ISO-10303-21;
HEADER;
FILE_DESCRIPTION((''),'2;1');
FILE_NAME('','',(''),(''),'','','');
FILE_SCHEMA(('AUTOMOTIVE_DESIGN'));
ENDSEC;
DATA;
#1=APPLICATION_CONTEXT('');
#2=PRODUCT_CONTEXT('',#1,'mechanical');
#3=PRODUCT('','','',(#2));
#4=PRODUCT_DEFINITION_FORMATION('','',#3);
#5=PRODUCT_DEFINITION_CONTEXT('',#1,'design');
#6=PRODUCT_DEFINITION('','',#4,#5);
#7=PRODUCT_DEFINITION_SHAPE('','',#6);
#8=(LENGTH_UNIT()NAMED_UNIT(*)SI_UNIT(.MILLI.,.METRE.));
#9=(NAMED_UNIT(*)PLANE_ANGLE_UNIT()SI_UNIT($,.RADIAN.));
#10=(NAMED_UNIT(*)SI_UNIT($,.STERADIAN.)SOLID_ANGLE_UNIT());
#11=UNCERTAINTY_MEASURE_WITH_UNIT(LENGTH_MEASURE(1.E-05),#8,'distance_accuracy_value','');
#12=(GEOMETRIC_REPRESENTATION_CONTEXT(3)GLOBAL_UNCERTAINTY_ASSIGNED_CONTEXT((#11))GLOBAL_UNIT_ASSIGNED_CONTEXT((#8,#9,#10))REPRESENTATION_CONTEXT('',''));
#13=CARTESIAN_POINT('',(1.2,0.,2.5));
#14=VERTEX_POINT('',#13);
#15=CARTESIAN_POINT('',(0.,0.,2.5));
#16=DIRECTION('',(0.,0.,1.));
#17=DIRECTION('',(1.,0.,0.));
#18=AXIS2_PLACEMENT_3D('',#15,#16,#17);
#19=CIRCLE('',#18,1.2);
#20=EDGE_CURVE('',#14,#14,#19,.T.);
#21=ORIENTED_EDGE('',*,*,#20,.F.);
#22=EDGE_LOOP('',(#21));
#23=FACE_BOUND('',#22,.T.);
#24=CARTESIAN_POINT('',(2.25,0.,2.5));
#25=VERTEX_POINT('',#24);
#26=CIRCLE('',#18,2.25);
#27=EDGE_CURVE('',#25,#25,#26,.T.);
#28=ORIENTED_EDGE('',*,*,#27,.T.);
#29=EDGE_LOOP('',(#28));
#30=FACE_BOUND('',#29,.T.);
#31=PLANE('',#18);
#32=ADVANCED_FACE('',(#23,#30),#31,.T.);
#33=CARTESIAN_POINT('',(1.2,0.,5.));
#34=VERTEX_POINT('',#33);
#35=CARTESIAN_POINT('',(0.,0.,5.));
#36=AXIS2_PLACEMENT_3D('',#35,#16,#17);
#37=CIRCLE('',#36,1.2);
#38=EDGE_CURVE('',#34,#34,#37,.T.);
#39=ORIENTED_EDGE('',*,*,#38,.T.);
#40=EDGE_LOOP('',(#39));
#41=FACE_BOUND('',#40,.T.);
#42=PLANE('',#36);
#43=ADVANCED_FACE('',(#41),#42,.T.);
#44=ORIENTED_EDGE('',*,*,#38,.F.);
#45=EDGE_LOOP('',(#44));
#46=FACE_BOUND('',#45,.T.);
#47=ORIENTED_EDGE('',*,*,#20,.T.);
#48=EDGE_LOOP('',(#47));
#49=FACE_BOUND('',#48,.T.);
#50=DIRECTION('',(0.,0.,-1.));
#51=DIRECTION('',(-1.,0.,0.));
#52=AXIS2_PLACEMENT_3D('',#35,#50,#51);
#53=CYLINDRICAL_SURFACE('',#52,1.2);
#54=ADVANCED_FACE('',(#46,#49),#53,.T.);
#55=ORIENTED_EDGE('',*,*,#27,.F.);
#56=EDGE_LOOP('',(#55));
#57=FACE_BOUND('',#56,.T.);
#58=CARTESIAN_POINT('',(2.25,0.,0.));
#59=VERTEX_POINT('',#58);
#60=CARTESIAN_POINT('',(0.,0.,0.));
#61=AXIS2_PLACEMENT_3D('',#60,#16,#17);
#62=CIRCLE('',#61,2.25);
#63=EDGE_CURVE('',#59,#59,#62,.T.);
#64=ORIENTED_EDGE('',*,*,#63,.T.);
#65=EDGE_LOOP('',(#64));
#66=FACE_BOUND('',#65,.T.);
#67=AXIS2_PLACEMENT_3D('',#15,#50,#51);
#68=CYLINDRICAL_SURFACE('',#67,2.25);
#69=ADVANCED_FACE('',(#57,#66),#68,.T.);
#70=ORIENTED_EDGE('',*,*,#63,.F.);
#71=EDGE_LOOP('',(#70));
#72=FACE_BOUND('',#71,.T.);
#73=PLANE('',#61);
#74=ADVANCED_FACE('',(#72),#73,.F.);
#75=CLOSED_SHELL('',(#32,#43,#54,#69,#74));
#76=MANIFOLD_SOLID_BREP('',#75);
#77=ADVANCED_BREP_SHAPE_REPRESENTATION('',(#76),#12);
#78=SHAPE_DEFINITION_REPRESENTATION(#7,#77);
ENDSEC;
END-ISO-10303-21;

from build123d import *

# Parameters (mm, degrees)
SKETCH_1_R      = 2.25
EXTRUDE_1_DEPTH = 2.5
SKETCH_2_R      = 1.2
EXTRUDE_2_DEPTH = 2.5


with BuildPart() as part:
    # Эскиз1 → Бобышка-Вытянуть1 (new body)
    with BuildSketch(Plane.XY):
        Circle(SKETCH_1_R)
    extrude(amount=EXTRUDE_1_DEPTH)

    # Эскиз2 → Бобышка-Вытянуть2 (add)
    with BuildSketch(Plane.XY.offset(2.5)):
        Circle(SKETCH_2_R)
    extrude(amount=EXTRUDE_2_DEPTH)


solid = part.part
